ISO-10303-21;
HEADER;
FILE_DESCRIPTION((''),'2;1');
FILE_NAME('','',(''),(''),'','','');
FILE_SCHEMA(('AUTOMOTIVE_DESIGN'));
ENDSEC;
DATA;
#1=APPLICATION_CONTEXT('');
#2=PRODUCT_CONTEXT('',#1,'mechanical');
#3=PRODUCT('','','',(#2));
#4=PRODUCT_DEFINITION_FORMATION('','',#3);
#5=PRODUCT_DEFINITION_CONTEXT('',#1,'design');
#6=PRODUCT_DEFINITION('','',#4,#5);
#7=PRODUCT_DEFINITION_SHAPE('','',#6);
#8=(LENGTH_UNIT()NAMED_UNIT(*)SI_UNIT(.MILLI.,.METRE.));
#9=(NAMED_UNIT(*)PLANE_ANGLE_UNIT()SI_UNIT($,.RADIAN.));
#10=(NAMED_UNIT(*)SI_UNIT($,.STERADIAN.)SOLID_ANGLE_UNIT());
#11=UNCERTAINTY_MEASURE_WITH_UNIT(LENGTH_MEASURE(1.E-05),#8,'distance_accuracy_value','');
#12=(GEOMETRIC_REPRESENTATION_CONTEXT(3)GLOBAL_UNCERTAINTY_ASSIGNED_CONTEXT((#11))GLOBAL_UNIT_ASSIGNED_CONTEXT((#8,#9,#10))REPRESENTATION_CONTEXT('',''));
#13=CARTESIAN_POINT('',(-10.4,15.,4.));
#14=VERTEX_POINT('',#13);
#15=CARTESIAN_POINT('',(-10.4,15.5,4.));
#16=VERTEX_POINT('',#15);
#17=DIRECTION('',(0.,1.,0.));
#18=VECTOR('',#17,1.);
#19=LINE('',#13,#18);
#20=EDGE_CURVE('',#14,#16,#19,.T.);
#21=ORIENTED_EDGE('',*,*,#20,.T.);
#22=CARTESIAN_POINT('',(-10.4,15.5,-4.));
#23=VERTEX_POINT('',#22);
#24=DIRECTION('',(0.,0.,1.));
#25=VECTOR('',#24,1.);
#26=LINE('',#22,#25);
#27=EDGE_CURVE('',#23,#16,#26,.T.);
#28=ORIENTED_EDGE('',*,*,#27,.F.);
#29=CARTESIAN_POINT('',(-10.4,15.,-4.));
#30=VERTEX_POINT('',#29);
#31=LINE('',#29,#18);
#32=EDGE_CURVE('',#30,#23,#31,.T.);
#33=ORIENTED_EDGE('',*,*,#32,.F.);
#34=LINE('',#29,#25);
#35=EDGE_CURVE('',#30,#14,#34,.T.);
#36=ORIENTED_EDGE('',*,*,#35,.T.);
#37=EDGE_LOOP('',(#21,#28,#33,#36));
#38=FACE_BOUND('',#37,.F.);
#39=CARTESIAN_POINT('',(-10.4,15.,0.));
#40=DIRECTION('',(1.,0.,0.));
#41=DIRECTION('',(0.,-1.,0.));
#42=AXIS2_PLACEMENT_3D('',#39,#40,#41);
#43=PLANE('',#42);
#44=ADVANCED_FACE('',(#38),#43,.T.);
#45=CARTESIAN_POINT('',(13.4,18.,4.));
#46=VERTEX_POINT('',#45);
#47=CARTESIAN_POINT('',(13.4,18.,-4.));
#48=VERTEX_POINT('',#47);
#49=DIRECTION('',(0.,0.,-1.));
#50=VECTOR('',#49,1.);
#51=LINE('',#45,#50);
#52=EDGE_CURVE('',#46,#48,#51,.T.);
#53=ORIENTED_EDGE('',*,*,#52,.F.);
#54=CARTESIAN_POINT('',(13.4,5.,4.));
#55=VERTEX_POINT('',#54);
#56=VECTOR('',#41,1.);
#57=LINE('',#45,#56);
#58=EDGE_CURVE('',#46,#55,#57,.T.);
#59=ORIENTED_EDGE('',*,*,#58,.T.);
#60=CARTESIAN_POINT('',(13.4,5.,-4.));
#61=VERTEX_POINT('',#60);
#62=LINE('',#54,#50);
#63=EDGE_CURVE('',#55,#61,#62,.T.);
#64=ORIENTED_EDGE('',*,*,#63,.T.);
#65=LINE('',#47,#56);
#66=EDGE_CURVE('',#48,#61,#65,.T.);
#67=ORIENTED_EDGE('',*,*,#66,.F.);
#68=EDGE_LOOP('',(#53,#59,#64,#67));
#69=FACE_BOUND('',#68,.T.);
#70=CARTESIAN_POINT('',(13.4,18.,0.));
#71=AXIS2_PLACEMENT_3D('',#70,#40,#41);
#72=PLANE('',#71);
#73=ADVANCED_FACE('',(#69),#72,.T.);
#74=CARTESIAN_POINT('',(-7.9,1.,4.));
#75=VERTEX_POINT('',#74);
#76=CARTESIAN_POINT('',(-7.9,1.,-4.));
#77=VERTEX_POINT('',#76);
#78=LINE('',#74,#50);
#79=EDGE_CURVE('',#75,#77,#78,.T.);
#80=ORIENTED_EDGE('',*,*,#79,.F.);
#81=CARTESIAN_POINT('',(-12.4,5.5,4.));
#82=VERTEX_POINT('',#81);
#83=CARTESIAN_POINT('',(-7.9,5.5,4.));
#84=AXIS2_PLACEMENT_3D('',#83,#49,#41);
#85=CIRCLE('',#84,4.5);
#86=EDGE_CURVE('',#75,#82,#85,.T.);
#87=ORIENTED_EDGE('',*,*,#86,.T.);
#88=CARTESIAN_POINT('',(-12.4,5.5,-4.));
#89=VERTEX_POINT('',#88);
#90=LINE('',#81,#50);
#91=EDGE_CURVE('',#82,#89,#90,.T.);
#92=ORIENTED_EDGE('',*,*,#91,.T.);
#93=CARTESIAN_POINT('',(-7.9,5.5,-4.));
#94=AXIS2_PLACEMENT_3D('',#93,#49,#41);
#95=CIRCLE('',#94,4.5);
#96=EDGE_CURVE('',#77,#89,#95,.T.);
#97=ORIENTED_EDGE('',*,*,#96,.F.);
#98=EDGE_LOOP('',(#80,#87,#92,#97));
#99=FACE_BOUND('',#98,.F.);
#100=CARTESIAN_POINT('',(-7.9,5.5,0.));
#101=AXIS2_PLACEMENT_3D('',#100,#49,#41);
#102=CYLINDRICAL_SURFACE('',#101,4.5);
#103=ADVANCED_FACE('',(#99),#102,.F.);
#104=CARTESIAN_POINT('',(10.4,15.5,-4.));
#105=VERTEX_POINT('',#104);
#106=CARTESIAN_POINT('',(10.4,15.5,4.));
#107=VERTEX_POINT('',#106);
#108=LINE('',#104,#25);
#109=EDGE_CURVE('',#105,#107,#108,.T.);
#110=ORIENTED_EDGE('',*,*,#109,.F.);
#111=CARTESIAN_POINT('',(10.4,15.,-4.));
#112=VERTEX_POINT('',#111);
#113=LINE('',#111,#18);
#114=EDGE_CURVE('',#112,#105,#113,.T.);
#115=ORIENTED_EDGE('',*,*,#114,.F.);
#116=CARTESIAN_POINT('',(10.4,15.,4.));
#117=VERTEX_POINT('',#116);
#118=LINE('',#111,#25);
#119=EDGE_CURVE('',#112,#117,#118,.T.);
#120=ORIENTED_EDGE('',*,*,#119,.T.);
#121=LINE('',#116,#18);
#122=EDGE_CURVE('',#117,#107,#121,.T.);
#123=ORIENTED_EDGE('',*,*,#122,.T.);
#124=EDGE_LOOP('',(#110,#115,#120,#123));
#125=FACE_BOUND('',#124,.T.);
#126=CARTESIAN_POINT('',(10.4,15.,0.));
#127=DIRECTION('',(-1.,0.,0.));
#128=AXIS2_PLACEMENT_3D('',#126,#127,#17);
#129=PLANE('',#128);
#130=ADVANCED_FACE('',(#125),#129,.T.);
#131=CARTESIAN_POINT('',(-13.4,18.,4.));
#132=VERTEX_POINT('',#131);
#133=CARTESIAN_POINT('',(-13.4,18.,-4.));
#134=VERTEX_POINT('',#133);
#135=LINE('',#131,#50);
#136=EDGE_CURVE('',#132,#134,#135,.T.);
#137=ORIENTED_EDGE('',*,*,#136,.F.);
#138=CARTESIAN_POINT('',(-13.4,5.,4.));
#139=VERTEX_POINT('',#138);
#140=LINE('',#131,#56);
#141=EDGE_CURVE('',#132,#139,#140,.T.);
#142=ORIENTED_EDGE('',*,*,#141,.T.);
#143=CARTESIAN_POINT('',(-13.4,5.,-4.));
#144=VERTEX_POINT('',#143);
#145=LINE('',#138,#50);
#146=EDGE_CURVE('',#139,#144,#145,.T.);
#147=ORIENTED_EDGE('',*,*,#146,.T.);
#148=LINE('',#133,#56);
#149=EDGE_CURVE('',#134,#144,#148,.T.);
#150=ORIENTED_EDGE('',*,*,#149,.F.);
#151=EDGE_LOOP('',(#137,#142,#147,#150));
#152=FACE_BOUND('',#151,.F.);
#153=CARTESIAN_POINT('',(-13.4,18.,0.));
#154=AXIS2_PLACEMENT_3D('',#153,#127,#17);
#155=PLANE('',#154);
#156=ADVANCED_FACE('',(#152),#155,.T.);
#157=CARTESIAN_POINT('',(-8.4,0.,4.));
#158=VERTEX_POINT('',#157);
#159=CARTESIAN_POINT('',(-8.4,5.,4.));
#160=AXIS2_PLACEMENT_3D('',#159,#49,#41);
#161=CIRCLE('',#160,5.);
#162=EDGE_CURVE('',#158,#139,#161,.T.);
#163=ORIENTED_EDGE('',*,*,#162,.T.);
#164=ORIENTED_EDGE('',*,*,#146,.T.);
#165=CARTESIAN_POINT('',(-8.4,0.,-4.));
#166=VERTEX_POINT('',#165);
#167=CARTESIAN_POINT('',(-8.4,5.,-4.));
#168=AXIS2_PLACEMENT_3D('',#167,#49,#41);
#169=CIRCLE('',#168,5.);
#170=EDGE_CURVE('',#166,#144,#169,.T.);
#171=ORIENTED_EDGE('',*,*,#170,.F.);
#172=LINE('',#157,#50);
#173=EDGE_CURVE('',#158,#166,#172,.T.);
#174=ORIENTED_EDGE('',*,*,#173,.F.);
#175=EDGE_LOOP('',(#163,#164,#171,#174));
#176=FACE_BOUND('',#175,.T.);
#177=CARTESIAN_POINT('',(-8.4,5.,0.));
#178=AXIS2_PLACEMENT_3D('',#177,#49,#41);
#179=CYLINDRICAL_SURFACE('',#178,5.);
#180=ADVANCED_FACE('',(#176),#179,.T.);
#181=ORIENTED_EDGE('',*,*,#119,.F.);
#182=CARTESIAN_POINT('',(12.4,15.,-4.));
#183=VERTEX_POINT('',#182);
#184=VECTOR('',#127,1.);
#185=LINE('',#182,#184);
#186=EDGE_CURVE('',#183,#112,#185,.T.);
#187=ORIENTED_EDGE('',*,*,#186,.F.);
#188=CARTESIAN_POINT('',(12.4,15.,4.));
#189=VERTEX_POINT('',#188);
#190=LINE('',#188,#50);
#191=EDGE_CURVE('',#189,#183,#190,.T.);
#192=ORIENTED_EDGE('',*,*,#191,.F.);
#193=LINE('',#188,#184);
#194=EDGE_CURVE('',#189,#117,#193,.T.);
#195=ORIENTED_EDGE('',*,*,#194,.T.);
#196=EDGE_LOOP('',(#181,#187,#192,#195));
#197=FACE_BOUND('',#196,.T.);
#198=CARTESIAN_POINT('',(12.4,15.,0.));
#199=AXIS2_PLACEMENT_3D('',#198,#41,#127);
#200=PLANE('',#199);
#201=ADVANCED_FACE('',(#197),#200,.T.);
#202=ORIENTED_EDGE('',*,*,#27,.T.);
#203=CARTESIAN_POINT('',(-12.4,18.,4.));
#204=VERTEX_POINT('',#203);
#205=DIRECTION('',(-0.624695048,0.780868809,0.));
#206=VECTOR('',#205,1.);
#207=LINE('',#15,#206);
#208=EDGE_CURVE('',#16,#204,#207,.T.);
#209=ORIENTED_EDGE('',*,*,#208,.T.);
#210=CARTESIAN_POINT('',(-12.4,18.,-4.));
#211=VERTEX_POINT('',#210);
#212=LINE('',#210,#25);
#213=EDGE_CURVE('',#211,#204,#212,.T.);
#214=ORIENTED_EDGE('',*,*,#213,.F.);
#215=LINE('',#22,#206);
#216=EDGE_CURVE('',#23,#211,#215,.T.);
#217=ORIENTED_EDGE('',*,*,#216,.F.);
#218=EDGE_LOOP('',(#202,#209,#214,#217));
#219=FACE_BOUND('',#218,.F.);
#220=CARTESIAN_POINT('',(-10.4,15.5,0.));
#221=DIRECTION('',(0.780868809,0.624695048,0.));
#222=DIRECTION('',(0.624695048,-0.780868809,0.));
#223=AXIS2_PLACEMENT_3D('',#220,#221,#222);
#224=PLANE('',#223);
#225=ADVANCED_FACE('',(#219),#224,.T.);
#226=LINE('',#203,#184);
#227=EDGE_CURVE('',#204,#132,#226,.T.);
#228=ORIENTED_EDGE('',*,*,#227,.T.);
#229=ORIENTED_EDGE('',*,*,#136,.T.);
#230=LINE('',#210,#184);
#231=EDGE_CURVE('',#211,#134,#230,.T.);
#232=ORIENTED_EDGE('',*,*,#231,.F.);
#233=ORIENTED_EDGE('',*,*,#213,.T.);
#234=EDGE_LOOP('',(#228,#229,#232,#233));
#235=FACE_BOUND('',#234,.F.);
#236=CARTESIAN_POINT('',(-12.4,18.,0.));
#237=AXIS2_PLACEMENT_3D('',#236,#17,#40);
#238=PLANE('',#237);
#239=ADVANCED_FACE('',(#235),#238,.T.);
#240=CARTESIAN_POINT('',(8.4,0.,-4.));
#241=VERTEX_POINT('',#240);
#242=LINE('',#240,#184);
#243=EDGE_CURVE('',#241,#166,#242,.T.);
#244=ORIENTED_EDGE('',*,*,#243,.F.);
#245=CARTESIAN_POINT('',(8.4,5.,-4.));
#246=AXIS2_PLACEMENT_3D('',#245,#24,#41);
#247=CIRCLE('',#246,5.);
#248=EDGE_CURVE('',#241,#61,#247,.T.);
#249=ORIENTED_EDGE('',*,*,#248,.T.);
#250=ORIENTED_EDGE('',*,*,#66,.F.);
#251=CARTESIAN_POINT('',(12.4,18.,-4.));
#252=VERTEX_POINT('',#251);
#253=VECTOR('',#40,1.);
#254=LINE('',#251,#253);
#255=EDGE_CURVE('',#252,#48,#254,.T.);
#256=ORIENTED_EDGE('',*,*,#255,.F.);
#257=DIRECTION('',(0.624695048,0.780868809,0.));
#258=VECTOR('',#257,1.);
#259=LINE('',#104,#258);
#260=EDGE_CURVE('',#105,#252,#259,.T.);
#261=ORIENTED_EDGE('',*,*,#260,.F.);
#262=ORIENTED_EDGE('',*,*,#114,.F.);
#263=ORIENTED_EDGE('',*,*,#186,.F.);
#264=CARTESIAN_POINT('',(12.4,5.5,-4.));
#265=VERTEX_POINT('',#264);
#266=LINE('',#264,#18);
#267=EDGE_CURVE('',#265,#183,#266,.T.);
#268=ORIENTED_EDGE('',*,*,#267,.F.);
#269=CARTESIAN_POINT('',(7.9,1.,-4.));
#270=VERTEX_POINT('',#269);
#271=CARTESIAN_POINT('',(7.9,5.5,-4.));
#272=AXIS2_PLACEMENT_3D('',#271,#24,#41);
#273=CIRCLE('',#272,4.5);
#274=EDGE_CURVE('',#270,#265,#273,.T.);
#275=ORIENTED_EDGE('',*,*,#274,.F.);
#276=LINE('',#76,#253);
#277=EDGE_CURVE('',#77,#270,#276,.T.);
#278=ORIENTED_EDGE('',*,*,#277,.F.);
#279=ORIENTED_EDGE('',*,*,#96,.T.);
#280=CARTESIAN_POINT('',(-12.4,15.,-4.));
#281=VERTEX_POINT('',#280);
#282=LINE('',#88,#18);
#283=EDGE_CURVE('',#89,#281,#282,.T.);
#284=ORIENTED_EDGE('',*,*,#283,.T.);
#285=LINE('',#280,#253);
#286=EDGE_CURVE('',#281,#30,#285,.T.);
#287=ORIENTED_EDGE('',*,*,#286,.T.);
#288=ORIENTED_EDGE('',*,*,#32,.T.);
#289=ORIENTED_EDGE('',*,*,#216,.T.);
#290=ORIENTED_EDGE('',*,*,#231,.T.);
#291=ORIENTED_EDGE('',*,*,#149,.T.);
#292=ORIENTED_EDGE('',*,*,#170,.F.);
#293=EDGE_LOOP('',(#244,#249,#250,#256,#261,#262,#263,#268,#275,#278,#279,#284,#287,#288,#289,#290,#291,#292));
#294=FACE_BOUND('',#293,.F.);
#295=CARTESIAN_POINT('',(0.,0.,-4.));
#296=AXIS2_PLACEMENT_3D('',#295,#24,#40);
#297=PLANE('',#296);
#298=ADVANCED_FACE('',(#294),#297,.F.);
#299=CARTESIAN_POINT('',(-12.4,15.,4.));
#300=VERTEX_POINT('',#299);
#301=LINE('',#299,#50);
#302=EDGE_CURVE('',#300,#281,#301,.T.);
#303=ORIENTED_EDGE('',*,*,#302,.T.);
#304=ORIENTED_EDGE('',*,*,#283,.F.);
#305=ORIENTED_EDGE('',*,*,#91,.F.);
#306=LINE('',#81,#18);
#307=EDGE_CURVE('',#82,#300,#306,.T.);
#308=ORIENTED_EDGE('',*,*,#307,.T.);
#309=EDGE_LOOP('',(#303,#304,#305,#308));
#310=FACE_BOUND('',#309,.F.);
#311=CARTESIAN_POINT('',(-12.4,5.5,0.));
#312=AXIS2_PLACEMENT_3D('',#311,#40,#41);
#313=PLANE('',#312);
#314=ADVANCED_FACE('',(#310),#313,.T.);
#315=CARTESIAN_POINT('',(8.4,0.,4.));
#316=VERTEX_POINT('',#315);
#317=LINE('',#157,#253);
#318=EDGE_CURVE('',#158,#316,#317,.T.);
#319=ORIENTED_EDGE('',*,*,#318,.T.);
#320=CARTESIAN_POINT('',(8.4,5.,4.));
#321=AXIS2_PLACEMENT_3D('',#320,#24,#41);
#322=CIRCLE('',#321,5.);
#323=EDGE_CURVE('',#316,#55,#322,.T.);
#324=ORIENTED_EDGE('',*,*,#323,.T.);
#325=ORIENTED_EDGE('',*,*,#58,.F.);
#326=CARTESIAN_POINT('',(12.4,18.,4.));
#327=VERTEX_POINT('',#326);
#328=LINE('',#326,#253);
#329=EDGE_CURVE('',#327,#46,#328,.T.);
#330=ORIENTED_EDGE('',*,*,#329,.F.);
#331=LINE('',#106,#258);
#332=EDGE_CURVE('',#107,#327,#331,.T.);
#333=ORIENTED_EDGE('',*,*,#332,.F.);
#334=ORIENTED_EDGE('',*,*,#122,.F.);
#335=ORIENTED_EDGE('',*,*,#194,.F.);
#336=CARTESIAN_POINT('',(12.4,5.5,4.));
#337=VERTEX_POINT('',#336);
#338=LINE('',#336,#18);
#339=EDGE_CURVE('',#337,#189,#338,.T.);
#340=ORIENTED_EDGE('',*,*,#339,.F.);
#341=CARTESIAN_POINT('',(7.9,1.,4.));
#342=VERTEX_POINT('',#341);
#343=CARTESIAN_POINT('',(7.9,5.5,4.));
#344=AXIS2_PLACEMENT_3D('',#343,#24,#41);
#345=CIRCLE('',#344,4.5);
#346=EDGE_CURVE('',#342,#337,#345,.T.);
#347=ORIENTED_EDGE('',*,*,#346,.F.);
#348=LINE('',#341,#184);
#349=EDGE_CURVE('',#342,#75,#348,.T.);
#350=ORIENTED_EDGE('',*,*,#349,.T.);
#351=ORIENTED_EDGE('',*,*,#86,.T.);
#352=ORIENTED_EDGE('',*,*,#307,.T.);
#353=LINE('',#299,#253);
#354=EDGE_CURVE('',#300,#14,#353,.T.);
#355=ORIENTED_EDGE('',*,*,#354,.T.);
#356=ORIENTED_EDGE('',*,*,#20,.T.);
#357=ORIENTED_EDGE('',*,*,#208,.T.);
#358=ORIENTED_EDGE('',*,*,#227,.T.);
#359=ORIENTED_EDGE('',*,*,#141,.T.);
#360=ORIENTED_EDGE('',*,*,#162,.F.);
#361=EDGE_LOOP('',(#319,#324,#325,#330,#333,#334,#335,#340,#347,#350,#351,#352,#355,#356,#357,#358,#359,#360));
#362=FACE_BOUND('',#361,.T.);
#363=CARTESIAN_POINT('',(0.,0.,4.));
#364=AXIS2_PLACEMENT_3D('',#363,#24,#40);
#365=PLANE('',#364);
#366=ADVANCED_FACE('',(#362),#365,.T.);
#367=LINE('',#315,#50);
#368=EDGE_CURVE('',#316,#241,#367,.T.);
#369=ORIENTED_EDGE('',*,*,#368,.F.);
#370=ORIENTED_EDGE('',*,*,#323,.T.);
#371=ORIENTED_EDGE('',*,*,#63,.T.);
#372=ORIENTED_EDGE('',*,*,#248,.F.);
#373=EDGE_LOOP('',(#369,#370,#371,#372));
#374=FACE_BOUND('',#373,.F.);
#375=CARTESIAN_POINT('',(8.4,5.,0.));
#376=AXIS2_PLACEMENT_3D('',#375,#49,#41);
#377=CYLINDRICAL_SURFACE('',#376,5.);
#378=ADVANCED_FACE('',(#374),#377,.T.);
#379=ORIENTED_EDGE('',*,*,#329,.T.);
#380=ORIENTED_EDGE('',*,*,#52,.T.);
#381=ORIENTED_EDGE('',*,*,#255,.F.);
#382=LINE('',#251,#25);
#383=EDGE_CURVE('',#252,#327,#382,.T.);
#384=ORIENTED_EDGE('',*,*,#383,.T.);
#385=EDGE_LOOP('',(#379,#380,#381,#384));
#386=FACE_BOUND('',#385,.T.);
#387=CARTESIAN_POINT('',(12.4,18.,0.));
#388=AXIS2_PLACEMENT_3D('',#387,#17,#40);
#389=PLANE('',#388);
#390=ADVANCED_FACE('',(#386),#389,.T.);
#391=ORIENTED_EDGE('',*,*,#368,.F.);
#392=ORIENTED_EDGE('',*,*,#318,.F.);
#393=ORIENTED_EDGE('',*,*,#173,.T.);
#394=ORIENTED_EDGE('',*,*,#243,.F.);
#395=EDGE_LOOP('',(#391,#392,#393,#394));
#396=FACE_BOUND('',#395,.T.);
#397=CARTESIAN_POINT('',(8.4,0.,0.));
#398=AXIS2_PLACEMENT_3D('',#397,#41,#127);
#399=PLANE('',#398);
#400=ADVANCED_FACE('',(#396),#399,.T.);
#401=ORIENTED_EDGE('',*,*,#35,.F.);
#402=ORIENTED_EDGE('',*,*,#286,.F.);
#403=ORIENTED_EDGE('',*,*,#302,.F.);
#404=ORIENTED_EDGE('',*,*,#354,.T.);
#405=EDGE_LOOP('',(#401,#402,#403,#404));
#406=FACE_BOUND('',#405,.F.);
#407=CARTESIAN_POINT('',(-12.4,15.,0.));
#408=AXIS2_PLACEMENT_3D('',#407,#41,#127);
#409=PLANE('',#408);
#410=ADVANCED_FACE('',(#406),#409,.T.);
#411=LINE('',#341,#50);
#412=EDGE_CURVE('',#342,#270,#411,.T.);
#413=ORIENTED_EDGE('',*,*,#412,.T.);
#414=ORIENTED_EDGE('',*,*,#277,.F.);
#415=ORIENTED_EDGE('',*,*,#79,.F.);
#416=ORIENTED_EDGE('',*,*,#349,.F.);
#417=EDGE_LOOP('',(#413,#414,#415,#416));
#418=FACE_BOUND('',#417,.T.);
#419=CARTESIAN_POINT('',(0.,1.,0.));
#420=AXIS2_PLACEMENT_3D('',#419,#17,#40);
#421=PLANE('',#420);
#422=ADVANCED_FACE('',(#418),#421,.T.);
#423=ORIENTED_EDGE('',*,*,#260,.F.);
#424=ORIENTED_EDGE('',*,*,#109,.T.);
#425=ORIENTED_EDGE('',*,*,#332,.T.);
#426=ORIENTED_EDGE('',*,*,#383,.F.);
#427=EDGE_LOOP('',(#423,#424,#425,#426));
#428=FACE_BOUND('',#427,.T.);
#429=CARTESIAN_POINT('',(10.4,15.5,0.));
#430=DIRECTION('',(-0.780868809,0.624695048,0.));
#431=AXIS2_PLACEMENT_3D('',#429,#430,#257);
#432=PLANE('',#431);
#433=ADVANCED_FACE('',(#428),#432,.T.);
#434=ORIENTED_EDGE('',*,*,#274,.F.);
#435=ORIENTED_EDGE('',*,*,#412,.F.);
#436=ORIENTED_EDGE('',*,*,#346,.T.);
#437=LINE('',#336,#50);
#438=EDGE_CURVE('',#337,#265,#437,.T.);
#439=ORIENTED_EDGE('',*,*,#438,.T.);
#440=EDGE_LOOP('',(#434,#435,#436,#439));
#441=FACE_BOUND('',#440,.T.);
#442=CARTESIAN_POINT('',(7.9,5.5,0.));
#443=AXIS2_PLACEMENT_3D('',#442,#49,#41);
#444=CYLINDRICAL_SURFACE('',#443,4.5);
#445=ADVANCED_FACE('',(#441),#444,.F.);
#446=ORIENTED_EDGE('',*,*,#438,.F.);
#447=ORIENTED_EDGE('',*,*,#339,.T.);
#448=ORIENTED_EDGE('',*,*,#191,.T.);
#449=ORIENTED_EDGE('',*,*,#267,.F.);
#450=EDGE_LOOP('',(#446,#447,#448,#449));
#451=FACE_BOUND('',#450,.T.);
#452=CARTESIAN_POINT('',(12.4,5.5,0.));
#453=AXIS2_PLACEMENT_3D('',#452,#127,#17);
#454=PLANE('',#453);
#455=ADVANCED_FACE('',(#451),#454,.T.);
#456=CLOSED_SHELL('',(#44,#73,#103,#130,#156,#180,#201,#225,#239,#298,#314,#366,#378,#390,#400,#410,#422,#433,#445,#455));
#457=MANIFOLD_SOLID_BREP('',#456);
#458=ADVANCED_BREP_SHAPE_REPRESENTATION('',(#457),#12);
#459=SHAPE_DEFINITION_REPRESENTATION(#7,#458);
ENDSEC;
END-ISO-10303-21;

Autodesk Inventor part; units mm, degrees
ref_plane "YZ Plane" through (0, 0, 0) normal (1, 0, 0) x (0, 1, 0)
ref_plane "XZ Plane" through (0, 0, 0) normal (0, 1, 0) x (-1, 0, 0)
ref_plane "XY Plane" through (0, 0, 0) normal (0, 0, 1) x (1, 0, 0)
sketch "Skizze1" plane through (0, 0, 0) normal (0, 0, 1) x (1, 0, 0)
  line L0 (12.4, 18) -> (13.4, 18)
  line L1 (13.4, 18) -> (13.4, 5)
  line L2 (8.4, 0) -> (0, 0)
  line L3 (0, 0) -> (0, 1)
  line L4 (0, 1) -> (7.9, 1)
  line L5 (12.4, 5.5) -> (12.4, 15)
  line L6 (12.4, 15) -> (10.4, 15)
  line L7 (10.4, 15) -> (10.4, 15.5)
  line L8 (10.4, 15.5) -> (12.4, 18)
  arc A0 (7.9, 1) -> (12.4, 5.5) centre (7.9, 5.5) ccw
  arc A1 (8.4, 0) -> (13.4, 5) centre (8.4, 5) ccw
  point P0 (13.4, 0)
  point P1 (12.4, 1)
  point P2 (12.9, 18)
  dimension "d0" = 1
  dimension "d1" = 1
  dimension "d2" = 12.4
  dimension "d3" = 14
  dimension "d4" = 3
  dimension "d5" = 0.5
  dimension "d6" = 1
  dimension "d7" = 2
  dimension "d10" = 4.5
  dimension "d11" = 5
extrude "Extrusion1" add sketch "Skizze1" along normal mid plane 8
mirror "Spiegeln1" about plane through (0, 0, 0) normal (1, 0, 0)
properties part number "P_Halter"
